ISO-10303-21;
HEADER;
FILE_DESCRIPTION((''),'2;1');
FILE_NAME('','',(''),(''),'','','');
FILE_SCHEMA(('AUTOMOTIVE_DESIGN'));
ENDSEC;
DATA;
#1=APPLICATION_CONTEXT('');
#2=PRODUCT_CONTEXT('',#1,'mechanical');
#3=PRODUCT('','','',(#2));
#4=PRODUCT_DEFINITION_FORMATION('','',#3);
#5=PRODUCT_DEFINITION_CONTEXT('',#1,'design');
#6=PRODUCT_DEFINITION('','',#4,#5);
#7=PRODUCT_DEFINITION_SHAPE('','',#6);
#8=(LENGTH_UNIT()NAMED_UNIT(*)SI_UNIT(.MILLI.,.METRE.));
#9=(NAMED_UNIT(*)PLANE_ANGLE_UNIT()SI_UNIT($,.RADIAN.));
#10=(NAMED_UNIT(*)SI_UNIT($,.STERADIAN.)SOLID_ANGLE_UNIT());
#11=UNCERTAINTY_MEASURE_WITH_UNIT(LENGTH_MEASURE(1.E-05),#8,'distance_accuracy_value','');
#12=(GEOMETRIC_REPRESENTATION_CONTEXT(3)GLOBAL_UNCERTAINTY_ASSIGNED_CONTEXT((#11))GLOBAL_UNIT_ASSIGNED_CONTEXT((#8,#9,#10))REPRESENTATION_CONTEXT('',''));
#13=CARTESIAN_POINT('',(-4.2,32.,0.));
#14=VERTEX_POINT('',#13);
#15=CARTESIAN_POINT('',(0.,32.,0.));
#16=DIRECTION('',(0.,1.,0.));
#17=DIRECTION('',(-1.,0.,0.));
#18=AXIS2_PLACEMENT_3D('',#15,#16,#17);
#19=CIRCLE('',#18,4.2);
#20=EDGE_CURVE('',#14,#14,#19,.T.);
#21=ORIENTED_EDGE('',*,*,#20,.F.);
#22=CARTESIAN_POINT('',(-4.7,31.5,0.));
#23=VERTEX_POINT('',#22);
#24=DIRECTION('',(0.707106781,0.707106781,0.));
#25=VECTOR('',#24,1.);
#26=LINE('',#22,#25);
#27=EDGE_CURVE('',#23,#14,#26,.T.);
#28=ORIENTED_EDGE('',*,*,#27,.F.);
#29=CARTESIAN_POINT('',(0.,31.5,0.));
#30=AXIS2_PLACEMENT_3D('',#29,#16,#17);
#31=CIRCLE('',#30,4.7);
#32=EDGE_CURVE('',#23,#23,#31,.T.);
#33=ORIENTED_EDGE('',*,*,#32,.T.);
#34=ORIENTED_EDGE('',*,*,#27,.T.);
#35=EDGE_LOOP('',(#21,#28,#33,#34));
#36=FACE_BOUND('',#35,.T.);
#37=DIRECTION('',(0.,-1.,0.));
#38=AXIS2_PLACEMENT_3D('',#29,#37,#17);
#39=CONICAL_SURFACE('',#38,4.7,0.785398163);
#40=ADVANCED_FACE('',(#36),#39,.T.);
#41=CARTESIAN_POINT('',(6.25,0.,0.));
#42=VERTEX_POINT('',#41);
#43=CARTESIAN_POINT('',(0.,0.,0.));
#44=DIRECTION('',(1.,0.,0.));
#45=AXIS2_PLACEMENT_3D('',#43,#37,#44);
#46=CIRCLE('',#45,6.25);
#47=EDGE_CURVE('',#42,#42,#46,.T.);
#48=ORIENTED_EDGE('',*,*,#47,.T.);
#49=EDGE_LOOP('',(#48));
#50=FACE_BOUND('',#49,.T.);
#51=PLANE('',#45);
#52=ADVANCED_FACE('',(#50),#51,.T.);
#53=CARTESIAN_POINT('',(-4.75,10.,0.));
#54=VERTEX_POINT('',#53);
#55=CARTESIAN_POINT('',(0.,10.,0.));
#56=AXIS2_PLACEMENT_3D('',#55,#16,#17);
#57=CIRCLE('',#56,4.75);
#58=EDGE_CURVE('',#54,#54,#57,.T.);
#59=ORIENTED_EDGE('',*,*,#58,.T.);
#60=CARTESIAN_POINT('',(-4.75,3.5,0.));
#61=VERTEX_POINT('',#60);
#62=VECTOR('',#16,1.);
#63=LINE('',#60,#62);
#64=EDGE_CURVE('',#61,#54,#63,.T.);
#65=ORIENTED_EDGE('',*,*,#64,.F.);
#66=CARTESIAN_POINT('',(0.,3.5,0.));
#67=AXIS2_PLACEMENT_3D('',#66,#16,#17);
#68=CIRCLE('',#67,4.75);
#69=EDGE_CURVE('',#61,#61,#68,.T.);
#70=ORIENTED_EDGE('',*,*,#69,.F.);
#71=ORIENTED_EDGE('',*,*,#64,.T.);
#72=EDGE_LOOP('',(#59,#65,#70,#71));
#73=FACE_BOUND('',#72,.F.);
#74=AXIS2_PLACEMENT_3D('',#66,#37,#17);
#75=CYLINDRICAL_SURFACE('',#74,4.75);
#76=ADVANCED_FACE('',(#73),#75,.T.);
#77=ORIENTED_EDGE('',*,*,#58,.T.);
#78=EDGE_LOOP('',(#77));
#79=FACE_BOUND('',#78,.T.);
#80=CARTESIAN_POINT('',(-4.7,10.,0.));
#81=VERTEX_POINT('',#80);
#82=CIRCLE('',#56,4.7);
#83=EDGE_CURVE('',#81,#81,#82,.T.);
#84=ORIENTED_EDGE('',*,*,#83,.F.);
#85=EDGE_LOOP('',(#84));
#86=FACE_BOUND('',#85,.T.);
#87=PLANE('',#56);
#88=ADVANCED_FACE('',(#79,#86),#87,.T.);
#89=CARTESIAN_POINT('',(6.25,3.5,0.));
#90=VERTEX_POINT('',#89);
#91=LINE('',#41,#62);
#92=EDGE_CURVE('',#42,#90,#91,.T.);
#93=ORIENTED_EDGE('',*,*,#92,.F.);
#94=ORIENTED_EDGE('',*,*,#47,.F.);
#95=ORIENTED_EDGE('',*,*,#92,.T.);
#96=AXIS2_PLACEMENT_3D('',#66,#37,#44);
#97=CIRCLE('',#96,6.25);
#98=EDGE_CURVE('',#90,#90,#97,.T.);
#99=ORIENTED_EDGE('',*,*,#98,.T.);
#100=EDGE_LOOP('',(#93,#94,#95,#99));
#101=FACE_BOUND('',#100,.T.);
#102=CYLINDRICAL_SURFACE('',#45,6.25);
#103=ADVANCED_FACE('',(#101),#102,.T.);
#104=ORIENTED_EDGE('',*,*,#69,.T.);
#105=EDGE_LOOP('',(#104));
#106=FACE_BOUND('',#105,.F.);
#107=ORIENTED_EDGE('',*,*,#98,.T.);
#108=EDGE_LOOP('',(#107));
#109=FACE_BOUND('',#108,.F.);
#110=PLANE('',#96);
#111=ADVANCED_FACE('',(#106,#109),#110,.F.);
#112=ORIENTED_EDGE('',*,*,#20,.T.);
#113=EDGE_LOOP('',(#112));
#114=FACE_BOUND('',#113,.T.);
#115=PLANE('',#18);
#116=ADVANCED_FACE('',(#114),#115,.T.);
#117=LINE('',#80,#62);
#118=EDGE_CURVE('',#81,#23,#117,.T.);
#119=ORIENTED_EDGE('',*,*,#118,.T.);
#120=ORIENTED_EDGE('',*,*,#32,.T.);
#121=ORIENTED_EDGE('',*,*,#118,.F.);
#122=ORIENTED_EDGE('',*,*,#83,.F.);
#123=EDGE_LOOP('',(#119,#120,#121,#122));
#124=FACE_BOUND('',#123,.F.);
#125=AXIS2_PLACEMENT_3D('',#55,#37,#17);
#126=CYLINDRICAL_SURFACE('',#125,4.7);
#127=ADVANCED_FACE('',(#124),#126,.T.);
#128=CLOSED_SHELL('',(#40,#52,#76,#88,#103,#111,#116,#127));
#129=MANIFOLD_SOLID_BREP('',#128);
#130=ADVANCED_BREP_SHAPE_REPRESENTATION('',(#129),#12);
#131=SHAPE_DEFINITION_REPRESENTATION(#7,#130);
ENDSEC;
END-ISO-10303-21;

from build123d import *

# Parameters (mm, degrees)
F0_R     = 6.25
F1_DEPTH = 3.5
F2_R     = 4.75
F3_DEPTH = 6.5
F4_R     = 4.7
F5_DEPTH = 22
F6_SIZE  = 0.5


with BuildPart() as f1:
    # F0 (on Front) → F1 (new body)
    with BuildSketch(Plane.XZ):
        Circle(F0_R)
    extrude(amount=-F1_DEPTH)

    # F2 (on face) → F3 (join)
    with BuildSketch(Plane(origin=(0, 3.5, 0), x_dir=(-1, 0, 0), z_dir=(0, 1, 0))):
        Circle(F2_R)
    extrude(amount=F3_DEPTH)

    # F4 (on face) → F5 (join)
    with BuildSketch(Plane(origin=(0, 10, 0), x_dir=(-1, 0, 0), z_dir=(0, 1, 0))):
        Circle(F4_R)
    extrude(amount=F5_DEPTH)

    # F6
    f6_edges = [f1.edges().sort_by_distance(p)[0] for p in [
        (4.7, 32, 0),
    ]]
    chamfer(f6_edges, length=F6_SIZE)


solid = f1.part
